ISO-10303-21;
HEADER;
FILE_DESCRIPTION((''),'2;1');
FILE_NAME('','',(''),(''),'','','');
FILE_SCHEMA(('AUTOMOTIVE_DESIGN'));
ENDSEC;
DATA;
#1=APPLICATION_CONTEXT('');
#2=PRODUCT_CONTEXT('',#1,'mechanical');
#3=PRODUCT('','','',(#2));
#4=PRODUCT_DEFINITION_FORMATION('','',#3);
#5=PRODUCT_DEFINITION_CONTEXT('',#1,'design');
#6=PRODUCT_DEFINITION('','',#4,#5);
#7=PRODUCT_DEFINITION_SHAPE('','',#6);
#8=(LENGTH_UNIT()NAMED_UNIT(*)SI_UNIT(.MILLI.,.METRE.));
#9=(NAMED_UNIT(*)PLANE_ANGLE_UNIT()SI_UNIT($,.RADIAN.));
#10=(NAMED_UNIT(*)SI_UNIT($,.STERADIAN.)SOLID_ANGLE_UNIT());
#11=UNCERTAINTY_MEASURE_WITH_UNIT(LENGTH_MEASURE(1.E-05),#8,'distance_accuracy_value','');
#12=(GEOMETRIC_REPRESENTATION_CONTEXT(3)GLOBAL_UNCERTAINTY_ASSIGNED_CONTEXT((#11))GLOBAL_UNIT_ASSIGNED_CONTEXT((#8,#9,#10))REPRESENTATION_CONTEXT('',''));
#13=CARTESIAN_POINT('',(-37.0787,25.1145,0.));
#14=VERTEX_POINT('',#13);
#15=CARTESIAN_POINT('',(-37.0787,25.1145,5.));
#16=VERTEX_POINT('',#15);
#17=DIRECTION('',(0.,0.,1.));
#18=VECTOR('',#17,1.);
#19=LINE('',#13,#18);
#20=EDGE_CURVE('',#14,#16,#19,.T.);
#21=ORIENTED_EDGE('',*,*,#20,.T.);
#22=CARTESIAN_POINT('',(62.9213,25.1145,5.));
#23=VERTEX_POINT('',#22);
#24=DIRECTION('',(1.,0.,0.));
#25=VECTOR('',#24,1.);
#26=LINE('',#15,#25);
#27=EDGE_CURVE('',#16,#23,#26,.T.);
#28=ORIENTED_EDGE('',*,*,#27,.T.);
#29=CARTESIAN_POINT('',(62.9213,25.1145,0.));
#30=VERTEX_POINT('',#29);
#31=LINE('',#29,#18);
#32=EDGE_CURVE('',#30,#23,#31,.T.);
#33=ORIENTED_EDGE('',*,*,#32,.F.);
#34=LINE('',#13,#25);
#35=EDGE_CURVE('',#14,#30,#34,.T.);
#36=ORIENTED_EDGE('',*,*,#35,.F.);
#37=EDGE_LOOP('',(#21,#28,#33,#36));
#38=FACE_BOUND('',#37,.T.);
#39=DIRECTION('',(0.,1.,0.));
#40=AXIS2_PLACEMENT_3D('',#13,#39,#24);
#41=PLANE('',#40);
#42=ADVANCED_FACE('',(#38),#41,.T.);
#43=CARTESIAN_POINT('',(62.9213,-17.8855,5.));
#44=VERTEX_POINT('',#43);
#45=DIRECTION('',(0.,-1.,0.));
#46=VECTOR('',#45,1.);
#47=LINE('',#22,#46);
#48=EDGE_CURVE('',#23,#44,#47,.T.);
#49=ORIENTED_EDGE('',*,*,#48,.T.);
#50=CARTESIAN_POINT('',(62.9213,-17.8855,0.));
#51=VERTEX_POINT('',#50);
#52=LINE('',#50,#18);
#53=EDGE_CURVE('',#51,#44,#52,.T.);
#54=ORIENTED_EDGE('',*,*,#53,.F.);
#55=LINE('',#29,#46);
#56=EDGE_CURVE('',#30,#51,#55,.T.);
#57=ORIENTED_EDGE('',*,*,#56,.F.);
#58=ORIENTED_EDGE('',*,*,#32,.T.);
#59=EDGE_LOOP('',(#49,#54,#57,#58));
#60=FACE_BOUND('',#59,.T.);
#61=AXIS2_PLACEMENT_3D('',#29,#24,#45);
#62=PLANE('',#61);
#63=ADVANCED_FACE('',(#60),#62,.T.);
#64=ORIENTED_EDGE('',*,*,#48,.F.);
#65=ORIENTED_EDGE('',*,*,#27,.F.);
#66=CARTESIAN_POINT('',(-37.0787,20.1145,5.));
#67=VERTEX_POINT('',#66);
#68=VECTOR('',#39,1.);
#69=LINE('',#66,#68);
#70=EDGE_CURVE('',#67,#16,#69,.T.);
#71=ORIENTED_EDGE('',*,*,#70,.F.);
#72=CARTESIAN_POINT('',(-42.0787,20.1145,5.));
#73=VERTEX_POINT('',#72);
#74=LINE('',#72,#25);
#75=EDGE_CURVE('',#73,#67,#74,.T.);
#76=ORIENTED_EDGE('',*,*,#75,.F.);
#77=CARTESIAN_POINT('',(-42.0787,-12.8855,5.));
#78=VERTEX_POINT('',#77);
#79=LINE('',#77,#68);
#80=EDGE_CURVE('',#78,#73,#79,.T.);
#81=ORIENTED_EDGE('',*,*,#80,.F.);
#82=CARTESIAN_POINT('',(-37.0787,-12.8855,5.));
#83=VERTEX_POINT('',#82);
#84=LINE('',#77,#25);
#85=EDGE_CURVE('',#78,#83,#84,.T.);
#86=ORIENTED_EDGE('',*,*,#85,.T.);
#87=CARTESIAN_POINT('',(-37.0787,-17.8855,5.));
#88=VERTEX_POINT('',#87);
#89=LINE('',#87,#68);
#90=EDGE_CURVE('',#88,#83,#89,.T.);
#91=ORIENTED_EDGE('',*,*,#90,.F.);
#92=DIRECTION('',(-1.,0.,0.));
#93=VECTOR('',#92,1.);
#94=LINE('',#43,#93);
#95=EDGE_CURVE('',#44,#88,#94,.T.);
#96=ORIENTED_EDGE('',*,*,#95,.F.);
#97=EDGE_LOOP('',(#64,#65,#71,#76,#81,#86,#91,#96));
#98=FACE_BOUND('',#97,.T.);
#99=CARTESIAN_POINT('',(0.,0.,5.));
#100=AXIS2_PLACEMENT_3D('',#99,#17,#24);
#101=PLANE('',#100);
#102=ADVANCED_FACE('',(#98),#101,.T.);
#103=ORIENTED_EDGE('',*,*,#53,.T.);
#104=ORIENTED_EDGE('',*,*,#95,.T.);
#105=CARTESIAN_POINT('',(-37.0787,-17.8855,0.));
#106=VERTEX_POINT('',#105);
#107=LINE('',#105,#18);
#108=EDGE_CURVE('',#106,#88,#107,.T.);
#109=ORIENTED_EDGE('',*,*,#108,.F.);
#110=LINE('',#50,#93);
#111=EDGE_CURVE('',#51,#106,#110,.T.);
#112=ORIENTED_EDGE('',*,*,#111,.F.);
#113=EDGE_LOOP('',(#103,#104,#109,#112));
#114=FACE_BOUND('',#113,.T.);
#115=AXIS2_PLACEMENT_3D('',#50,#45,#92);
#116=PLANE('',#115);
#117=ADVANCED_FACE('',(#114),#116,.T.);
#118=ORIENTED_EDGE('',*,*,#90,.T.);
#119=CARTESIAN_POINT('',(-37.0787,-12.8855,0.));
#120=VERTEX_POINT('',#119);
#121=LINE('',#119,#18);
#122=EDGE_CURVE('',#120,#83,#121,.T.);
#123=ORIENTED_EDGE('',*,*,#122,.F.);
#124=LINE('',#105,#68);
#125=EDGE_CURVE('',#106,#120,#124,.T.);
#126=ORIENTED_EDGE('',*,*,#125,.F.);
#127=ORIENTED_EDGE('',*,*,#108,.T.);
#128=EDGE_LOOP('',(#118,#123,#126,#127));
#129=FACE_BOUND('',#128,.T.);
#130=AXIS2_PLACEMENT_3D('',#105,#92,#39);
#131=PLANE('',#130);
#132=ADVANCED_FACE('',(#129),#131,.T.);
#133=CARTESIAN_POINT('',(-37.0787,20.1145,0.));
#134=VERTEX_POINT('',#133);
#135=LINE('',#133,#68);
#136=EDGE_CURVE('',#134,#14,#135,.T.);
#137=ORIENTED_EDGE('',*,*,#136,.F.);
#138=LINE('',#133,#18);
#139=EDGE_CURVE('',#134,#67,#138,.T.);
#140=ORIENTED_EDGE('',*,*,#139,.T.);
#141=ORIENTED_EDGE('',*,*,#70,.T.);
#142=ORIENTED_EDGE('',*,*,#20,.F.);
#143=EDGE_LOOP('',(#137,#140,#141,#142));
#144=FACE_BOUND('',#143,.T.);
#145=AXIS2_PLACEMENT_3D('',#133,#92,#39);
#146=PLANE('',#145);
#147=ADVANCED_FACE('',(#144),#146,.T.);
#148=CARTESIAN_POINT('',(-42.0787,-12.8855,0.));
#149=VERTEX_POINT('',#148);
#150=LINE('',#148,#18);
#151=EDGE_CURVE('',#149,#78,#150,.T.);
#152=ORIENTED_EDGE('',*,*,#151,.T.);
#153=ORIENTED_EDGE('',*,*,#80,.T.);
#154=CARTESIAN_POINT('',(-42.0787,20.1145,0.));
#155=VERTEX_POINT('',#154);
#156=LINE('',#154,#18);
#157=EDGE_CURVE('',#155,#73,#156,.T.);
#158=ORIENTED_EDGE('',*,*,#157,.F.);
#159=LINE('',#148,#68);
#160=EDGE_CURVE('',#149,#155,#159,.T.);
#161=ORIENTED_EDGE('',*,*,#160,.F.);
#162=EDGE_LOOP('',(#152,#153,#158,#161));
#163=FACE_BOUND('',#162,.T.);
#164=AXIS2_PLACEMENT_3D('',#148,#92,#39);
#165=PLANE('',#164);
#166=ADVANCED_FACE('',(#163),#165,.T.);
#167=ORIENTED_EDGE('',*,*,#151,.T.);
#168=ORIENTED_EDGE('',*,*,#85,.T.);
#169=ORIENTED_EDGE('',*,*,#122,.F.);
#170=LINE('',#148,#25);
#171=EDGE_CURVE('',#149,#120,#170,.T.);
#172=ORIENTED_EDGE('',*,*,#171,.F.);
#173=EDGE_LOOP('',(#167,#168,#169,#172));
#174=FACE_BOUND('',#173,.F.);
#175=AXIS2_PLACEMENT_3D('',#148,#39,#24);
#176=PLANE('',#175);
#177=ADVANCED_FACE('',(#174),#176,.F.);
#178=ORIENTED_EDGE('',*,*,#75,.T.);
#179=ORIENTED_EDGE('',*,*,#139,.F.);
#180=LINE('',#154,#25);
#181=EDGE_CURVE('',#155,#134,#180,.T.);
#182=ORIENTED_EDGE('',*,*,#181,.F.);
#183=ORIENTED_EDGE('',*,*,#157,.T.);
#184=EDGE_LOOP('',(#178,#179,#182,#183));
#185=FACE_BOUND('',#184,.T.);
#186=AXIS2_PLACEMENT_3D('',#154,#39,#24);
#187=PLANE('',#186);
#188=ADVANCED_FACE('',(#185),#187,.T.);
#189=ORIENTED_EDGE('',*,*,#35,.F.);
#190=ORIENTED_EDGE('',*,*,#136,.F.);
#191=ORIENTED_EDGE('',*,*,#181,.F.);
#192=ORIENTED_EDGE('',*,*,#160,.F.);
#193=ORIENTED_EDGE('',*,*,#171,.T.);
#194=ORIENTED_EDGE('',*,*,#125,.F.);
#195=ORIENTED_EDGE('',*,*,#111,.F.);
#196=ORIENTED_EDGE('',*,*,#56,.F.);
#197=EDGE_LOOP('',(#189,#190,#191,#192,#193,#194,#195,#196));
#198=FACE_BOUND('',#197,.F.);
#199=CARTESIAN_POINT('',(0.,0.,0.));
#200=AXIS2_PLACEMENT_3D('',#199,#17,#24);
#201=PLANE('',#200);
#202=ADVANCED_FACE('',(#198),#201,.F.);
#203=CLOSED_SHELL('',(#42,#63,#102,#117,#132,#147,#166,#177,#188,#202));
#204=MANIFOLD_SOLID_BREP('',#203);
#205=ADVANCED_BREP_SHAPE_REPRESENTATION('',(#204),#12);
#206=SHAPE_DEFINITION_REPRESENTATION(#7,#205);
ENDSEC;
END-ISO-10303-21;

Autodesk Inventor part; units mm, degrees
ref_plane "YZ Plane" through (0, 0, 0) normal (1, 0, 0) x (0, 1, 0)
ref_plane "XZ Plane" through (0, 0, 0) normal (0, 1, 0) x (-1, 0, 0)
ref_plane "XY Plane" through (0, 0, 0) normal (0, 0, 1) x (1, 0, 0)
sketch "Sketch1" plane through (0, 0, 0) normal (0, 0, 1) x (1, 0, 0)
  line L0 (-62.0787, -12.8855) -> (-42.0787, -12.8855) construction
  line L1 (-42.0787, -12.8855) -> (-42.0787, 20.1145)
  line L2 (-42.0787, 20.1145) -> (-37.0787, 20.1145)
  line L3 (-37.0787, 20.1145) -> (-37.0787, 25.1145)
  line L4 (-37.0787, 25.1145) -> (62.9213, 25.1145)
  line L5 (-42.0787, -12.8855) -> (-37.0787, -12.8855)
  line L6 (62.9213, -17.8855) -> (-37.0787, -17.8855)
  line L7 (-37.0787, -17.8855) -> (-37.0787, -12.8855)
  line L8 (62.9213, 25.1145) -> (62.9213, -17.8855)
  point P0 (0, 0)
  dimension "d1" = 33
  dimension "d2" = 5
  dimension "d3" = 5
  dimension "d4" = 100
  dimension "d9" = 5
extrude "Extrusion1" add sketch "Sketch1" along normal blind 5
properties part number "floor1"
